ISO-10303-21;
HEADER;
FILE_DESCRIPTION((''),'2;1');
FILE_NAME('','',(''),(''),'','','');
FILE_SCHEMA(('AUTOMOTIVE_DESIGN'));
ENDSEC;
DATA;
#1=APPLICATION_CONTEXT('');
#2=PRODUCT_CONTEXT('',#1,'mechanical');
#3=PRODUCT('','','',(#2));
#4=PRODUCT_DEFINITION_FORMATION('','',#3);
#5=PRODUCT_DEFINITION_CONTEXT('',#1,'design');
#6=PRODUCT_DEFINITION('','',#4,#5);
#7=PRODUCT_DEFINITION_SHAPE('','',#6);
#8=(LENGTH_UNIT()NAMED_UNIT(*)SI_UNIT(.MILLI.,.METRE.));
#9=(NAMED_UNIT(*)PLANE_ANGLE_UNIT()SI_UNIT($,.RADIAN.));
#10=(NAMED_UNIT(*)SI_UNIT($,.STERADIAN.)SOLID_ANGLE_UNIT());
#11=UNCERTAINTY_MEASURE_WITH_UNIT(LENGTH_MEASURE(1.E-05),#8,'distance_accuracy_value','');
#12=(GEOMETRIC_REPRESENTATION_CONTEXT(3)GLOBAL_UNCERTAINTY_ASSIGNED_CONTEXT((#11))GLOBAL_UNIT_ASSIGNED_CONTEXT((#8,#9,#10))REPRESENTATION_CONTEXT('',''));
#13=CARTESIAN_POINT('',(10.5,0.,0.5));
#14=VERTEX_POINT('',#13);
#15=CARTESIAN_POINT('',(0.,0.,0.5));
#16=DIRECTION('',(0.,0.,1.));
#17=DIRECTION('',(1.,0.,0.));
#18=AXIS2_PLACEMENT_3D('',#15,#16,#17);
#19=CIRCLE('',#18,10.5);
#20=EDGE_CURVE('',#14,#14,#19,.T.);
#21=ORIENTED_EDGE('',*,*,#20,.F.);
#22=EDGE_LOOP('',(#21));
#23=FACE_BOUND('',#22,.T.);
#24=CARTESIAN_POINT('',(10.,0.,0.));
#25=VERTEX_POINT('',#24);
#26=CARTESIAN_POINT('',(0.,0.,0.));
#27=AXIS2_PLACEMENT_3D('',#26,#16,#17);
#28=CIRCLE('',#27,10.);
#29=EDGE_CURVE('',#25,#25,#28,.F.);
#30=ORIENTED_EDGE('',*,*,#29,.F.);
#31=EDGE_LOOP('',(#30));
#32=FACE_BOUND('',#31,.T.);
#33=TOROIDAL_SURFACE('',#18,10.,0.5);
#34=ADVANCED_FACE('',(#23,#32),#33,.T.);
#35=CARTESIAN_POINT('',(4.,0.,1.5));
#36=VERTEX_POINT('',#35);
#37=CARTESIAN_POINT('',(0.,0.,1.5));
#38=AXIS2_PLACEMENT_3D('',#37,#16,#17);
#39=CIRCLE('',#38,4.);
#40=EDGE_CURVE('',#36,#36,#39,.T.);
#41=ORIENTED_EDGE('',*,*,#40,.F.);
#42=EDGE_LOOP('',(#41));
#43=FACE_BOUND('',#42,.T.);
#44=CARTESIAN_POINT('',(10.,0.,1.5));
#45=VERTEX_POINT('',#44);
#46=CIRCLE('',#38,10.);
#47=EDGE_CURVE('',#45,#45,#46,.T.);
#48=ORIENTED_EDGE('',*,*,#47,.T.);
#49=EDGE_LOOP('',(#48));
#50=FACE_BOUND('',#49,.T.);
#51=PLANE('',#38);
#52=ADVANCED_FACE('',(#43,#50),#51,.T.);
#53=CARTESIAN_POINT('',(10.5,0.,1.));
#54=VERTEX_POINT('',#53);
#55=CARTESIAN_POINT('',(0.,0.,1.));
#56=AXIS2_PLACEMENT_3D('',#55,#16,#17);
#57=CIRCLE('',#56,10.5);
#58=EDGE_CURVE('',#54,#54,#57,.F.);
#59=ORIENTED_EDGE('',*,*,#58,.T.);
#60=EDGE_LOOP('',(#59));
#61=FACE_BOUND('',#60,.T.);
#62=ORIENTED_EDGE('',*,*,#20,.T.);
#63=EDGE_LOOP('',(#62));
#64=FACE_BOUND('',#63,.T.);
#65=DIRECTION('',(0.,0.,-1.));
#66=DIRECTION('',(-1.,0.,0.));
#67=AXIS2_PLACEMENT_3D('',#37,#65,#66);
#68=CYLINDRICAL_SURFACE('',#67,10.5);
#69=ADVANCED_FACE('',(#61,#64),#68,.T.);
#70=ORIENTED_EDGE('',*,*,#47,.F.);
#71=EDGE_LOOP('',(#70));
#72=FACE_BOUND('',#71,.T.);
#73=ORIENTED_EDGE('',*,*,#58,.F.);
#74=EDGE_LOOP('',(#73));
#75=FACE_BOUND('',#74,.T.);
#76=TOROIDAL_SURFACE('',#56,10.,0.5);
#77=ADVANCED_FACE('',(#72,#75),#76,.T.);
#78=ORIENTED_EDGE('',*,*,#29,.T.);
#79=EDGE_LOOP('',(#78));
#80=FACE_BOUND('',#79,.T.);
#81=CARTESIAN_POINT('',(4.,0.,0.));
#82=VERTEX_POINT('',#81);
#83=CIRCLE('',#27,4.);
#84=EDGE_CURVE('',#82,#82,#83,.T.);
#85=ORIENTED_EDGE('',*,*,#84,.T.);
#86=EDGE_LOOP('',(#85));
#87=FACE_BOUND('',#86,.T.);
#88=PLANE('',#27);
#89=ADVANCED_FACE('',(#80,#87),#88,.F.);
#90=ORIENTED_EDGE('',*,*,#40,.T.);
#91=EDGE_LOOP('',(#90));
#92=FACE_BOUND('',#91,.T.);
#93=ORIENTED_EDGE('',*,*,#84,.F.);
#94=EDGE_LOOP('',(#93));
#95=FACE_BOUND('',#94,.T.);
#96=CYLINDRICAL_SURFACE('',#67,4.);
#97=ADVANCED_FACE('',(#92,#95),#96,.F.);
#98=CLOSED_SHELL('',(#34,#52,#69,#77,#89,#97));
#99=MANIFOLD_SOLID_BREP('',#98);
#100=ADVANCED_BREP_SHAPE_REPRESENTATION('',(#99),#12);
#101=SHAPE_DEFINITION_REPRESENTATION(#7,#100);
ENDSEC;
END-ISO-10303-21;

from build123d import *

# Parameters (mm, degrees)
SKETCH1_R           = 10.5
SKETCH1_R_2         = 4
BOSS_EXTRUDE1_DEPTH = 1.5
FILLET1_R           = 0.5


with BuildPart() as part:
    # Sketch1 → Boss-Extrude1 (new body)
    with BuildSketch(Plane.XY):
        Circle(SKETCH1_R)
        Circle(SKETCH1_R_2, mode=Mode.SUBTRACT)
    extrude(amount=BOSS_EXTRUDE1_DEPTH)

    # Fillet1
    fillet1_edges = [part.edges().sort_by_distance(p)[0] for p in [
        (-10.5, 0, 0),
        (-10.5, 0, 1.5),
    ]]
    fillet(fillet1_edges, radius=FILLET1_R)


solid = part.part
